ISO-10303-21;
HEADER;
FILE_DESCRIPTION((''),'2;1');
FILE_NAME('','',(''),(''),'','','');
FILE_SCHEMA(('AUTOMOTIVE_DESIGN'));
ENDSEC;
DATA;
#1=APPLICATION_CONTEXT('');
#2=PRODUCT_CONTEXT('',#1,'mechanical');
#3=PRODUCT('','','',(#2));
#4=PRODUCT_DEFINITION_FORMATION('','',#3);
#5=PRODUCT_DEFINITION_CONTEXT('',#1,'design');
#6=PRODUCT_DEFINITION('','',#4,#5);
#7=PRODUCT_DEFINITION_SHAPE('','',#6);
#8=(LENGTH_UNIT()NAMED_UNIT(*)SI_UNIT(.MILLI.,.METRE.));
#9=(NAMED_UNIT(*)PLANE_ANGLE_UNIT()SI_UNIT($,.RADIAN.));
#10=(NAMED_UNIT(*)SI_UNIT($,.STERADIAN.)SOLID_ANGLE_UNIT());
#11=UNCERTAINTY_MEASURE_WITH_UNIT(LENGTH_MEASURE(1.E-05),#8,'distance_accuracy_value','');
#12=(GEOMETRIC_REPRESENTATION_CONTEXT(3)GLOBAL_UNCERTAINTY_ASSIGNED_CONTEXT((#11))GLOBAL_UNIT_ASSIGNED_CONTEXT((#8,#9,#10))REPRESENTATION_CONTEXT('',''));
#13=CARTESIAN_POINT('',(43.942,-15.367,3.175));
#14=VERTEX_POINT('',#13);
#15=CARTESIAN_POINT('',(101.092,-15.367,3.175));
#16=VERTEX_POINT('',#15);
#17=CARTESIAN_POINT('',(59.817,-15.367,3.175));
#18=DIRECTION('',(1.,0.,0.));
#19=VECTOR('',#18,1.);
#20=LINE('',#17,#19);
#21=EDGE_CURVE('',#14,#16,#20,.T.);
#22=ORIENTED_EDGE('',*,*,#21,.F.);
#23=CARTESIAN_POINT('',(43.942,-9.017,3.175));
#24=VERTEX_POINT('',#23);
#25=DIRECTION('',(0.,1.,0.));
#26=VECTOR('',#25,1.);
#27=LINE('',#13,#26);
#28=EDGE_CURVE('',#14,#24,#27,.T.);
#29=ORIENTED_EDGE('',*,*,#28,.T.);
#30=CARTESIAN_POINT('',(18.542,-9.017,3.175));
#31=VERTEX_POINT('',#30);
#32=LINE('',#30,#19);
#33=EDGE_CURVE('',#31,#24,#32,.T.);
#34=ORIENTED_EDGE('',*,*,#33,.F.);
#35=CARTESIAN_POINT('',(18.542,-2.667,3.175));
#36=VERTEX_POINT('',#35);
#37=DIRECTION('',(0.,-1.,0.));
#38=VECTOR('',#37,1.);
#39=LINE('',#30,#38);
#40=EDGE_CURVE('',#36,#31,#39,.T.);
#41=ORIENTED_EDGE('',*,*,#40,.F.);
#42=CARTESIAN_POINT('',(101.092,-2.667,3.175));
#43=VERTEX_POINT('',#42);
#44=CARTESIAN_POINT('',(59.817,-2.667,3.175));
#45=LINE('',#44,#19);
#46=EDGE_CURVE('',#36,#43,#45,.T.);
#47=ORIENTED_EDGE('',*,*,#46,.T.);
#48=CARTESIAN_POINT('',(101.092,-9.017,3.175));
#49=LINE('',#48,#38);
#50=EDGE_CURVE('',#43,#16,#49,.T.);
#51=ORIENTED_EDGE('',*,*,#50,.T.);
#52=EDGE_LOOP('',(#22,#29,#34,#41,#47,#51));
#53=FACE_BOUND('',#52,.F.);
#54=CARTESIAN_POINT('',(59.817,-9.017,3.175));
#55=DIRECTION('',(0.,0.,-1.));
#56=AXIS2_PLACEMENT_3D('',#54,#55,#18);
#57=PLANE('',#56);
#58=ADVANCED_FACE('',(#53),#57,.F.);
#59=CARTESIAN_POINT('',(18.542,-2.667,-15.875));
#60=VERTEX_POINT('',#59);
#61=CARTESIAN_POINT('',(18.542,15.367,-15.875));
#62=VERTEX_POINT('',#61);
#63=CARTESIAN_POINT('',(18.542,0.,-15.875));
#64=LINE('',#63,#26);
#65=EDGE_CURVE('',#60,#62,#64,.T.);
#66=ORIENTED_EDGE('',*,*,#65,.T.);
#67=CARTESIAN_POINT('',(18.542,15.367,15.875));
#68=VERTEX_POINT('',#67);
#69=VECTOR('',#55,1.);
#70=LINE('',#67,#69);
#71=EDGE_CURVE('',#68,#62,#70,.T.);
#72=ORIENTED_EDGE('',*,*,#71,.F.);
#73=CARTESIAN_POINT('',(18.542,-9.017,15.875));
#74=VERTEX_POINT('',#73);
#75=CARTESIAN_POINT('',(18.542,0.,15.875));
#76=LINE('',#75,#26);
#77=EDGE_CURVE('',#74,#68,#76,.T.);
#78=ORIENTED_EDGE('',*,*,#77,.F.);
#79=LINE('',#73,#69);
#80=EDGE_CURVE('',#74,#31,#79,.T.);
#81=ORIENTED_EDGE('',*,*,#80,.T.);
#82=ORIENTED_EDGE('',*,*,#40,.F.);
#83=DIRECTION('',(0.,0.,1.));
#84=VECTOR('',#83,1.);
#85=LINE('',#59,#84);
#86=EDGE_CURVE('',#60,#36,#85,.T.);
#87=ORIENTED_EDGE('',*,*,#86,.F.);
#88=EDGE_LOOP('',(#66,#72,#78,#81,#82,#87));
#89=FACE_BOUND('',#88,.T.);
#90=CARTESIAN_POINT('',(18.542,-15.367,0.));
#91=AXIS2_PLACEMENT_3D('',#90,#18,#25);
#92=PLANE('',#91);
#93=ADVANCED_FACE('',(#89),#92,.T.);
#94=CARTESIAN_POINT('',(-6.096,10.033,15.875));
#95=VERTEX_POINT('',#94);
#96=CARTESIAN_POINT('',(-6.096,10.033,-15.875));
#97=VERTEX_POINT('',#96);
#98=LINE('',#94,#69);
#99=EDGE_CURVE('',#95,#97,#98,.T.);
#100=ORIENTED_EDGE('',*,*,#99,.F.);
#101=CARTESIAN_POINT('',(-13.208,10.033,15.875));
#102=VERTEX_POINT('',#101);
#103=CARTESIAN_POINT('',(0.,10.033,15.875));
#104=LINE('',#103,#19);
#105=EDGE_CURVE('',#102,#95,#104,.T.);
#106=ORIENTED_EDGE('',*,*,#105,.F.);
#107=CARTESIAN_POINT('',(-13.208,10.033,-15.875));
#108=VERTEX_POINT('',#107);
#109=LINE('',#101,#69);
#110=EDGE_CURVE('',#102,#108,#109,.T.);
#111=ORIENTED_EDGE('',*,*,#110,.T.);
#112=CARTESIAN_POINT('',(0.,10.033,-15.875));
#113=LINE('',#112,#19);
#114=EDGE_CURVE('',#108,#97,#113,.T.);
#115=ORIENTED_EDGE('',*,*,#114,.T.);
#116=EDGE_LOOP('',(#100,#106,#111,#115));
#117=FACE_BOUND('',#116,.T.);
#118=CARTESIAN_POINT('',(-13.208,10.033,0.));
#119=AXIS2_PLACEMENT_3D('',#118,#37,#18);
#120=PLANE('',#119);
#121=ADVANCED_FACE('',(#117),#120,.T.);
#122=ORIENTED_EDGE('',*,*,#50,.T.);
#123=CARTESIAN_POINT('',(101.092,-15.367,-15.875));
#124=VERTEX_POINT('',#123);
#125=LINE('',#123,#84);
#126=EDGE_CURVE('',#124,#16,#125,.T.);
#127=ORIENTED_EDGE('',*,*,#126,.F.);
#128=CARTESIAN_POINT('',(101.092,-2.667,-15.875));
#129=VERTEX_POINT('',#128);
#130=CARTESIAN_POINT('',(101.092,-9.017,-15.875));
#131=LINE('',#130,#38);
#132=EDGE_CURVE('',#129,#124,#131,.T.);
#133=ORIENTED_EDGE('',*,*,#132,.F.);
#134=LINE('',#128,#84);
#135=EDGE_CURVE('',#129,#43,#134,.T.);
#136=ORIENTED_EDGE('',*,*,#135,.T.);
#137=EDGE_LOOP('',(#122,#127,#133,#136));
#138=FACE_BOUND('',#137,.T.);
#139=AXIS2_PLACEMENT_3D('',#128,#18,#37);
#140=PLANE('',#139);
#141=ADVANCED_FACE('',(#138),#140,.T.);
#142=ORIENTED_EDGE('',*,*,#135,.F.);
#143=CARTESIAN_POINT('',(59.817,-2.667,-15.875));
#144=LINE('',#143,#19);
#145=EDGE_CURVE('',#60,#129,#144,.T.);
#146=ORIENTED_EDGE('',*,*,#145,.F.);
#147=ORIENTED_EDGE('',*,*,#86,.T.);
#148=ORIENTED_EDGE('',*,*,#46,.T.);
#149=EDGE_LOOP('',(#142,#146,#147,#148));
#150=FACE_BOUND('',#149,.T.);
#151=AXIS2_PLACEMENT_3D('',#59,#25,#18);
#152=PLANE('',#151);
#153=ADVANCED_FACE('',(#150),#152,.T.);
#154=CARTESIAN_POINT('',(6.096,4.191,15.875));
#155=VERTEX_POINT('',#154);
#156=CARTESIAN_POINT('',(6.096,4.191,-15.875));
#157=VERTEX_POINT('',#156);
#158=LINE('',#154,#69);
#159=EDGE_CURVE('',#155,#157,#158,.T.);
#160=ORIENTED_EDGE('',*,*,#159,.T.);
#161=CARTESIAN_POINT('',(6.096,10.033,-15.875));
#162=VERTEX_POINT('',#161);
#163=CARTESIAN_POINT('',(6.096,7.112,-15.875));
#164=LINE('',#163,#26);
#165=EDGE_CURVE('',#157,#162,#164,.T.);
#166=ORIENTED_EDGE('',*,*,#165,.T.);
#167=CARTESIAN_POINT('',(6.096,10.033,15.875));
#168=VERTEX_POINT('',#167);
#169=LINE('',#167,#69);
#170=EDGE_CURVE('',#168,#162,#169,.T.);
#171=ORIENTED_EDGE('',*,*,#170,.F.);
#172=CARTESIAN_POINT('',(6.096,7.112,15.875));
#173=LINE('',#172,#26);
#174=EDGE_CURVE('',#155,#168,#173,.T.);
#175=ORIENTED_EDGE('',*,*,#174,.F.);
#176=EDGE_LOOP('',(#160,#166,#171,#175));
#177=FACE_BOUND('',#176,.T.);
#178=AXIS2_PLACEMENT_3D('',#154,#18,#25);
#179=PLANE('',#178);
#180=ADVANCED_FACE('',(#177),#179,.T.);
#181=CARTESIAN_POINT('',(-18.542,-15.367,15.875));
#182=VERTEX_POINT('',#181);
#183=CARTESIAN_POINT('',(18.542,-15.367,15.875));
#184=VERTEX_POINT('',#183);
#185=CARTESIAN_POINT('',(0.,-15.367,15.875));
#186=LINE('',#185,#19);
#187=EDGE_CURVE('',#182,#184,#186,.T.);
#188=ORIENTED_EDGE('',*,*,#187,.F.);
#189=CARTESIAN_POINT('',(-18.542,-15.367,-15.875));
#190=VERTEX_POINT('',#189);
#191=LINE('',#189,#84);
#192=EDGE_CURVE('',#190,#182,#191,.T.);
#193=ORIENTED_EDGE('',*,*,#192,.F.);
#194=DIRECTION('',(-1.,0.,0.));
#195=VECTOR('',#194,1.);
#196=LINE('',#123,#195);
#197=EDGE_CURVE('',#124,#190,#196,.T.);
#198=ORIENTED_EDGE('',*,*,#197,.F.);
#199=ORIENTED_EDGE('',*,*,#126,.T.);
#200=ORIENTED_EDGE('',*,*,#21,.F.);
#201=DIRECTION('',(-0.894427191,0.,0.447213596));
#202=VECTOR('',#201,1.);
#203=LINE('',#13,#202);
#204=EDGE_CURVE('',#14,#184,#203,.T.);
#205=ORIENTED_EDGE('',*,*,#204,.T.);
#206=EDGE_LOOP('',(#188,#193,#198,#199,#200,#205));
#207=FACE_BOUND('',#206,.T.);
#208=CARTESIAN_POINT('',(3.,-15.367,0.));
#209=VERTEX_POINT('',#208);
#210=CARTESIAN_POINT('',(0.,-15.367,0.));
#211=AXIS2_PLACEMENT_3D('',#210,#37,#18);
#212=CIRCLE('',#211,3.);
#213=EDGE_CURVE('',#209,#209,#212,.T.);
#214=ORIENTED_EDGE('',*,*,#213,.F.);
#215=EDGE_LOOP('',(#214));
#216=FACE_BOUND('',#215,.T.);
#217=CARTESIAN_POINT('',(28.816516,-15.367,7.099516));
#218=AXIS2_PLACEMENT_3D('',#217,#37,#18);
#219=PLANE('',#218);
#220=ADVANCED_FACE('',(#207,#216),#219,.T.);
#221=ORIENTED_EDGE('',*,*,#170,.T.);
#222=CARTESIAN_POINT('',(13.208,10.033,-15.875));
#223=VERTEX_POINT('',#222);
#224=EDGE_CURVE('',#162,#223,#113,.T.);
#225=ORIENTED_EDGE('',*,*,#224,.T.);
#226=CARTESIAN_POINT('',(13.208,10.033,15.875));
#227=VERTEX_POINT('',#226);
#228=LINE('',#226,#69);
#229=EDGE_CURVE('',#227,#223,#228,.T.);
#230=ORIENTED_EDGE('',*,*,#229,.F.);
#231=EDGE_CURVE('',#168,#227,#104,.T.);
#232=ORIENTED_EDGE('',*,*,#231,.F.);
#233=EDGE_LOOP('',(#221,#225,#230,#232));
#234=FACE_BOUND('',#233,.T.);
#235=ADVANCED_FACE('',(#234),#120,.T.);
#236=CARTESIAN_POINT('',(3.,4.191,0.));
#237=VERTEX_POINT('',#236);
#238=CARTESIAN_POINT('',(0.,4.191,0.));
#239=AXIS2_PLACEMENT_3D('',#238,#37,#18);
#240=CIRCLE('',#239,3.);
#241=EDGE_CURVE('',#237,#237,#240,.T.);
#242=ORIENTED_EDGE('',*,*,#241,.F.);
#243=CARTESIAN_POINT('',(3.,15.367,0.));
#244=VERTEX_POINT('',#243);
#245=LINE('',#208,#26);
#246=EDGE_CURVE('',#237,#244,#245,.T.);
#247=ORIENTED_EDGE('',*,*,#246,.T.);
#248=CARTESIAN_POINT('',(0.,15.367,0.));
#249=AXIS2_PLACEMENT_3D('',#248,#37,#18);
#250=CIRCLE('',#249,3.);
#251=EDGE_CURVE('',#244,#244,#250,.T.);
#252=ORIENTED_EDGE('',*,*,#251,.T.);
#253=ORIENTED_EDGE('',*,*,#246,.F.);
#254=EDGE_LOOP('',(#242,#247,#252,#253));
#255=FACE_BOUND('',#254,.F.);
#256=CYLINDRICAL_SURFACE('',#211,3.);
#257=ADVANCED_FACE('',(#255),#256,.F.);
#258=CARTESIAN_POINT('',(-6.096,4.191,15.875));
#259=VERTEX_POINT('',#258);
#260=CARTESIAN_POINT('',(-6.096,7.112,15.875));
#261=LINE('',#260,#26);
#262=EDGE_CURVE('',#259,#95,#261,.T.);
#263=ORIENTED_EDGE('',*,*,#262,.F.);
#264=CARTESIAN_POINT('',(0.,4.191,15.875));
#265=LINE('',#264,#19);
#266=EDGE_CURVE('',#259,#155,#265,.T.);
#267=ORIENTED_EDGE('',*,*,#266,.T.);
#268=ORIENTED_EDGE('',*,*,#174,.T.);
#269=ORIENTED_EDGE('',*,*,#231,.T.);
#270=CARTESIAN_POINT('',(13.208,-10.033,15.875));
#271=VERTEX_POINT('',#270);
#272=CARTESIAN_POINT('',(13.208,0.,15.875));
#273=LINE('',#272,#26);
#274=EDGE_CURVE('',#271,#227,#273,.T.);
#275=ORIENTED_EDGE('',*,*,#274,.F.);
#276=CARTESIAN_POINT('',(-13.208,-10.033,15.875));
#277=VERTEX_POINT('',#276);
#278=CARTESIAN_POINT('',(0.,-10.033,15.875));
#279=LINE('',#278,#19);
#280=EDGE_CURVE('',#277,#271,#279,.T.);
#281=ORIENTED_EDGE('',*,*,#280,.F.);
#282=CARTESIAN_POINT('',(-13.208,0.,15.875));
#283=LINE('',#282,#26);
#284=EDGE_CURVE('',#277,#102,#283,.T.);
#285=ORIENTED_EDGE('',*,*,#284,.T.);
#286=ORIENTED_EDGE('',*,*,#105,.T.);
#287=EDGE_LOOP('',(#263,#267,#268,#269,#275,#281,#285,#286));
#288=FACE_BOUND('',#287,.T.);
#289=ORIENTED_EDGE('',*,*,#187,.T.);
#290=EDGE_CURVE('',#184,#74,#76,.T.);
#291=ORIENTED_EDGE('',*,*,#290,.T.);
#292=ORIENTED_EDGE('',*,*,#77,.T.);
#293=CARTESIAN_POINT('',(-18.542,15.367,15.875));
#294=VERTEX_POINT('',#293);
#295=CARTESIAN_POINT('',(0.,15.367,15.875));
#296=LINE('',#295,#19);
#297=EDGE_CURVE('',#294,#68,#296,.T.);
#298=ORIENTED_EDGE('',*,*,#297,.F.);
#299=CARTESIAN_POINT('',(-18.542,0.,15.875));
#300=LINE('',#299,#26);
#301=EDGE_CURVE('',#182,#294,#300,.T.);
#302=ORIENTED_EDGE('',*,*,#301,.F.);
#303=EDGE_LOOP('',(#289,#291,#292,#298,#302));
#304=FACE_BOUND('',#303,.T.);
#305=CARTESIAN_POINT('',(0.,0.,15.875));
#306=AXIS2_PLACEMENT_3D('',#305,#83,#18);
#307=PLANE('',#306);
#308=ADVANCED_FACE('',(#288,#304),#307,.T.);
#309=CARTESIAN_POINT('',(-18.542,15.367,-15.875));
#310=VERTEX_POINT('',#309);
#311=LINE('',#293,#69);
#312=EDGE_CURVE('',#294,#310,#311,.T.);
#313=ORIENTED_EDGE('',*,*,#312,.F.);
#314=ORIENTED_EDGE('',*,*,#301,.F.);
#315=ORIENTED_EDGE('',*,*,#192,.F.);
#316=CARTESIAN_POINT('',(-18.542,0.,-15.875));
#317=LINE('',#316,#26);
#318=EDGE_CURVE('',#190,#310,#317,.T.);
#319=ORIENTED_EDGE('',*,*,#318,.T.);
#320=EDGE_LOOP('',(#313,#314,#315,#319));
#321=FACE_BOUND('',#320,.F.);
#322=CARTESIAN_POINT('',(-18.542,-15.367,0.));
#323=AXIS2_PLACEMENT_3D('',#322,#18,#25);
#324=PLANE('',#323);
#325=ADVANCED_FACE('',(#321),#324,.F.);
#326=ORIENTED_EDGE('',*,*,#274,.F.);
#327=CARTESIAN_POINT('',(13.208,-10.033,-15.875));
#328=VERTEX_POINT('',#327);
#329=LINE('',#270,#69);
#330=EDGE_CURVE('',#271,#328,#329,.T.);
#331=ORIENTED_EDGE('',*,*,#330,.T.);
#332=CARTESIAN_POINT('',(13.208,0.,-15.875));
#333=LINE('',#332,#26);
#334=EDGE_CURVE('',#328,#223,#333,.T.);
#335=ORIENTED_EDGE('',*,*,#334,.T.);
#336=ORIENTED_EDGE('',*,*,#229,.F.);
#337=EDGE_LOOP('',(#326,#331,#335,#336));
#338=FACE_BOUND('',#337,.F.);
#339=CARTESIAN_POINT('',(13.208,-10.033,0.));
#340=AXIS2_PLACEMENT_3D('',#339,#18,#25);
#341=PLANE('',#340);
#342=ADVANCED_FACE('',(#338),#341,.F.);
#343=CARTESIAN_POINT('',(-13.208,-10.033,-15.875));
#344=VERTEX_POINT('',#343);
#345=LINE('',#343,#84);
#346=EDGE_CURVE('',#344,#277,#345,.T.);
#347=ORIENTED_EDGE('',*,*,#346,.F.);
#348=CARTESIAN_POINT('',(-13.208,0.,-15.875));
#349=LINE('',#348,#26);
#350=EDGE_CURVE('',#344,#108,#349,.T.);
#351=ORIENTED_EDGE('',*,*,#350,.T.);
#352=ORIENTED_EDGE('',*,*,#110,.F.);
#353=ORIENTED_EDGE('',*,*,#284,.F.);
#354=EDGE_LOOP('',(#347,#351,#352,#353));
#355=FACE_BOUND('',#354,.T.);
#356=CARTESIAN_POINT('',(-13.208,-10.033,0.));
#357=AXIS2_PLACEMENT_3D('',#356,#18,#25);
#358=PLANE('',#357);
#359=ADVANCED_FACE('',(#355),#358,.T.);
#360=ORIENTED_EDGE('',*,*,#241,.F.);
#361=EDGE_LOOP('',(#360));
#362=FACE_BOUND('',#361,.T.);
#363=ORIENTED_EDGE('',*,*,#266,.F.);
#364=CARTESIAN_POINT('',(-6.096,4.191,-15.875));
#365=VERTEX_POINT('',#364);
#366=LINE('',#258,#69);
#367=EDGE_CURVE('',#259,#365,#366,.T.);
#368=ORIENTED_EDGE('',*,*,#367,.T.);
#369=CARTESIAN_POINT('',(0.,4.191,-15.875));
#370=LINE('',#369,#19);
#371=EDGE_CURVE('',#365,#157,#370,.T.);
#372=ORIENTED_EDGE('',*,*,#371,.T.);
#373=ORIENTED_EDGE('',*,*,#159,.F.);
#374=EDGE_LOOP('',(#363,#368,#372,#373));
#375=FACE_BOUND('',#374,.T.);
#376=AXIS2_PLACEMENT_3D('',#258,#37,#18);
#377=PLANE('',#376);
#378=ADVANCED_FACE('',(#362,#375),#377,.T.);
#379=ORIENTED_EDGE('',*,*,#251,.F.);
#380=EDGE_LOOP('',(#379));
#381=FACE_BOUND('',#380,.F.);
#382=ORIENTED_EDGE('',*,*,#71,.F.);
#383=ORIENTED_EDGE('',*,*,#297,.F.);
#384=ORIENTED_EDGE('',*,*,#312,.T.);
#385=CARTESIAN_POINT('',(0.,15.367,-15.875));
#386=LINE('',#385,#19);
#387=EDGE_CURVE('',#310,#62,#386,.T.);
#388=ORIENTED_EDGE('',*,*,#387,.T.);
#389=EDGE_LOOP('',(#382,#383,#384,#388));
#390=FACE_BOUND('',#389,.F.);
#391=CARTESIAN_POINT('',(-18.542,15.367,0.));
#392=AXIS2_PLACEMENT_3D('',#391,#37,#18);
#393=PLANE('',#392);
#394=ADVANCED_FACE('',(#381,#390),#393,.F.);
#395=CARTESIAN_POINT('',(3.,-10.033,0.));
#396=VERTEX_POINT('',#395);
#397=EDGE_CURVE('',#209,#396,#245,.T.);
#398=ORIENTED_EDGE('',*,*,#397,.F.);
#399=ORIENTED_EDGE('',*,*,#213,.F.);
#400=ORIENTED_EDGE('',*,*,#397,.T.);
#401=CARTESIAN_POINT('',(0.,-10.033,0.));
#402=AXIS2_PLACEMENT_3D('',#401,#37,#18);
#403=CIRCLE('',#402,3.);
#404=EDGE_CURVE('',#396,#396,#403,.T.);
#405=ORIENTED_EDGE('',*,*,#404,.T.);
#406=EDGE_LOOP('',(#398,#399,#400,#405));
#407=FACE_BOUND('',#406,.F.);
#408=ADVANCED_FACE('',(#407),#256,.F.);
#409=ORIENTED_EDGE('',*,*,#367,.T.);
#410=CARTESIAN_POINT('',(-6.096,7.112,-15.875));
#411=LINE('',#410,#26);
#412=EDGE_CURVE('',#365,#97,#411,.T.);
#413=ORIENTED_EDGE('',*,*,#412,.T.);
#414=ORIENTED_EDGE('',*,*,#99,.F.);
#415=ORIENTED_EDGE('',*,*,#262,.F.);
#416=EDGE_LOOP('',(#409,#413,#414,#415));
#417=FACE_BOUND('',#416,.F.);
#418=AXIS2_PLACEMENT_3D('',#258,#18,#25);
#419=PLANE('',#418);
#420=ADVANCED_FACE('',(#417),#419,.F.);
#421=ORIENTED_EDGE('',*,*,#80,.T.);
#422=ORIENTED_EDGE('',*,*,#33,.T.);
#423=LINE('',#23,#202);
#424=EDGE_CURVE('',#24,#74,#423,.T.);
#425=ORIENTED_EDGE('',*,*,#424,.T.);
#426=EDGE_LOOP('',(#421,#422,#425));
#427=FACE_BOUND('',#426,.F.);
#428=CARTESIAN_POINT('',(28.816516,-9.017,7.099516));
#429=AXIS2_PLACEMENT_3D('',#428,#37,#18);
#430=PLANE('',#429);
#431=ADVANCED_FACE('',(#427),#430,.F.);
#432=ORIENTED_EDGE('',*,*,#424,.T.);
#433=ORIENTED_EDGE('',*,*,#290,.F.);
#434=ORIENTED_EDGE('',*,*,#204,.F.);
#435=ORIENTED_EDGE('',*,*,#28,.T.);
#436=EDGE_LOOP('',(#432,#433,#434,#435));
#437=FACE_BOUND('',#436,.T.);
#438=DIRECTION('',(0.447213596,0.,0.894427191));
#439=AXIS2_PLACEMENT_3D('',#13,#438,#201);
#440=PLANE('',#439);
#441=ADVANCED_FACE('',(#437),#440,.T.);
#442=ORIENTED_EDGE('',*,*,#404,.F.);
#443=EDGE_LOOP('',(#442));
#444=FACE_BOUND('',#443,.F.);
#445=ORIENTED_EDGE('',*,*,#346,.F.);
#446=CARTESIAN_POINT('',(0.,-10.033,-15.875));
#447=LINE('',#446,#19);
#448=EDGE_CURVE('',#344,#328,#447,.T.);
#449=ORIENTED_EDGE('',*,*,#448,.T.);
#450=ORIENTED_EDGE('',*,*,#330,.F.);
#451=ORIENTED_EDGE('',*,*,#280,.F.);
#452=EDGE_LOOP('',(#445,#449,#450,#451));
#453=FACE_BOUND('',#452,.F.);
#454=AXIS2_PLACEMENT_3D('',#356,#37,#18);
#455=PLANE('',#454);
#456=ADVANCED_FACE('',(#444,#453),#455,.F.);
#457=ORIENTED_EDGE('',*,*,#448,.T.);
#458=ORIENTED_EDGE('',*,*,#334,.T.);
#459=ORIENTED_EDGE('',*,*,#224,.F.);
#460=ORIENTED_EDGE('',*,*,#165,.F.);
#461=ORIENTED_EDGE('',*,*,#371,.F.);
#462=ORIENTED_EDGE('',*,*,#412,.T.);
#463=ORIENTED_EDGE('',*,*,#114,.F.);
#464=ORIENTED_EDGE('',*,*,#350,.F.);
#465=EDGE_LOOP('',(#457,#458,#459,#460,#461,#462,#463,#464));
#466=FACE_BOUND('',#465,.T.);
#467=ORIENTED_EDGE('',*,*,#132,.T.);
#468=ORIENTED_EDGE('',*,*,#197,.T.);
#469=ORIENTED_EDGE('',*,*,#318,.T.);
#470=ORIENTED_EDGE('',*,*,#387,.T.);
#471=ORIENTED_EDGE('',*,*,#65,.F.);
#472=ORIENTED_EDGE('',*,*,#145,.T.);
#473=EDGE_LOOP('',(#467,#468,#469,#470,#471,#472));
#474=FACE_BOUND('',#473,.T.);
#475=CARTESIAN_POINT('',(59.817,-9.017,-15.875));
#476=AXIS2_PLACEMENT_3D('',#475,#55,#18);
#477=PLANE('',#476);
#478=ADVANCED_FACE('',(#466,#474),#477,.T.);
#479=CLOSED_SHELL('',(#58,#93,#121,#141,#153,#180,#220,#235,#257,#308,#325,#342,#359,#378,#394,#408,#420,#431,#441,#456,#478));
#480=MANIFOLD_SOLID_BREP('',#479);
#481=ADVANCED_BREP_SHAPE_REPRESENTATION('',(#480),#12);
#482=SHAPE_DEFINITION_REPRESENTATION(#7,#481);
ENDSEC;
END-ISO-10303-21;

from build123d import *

# Parameters (mm, degrees)
F0_W      = 37.084
F0_H      = 30.734
F0_W_2    = 26.416
F0_H_2    = 20.066
F1_DEPTH  = 15.875
F2_W      = 12.192
F2_H      = 5.842
F3_DEPTH  = 31.75
F4_W      = 82.55
F4_H      = 12.7
F5_DEPTH  = 19.05
F7_DEPTH  = 6.35
F9_R      = 3
F10_DEPTH = 30.735


with BuildPart() as f1:
    # F0 (on Top) → F1 (new body, symmetric)
    with BuildSketch(Plane.XY):
        Rectangle(F0_W, F0_H)
        Rectangle(F0_W_2, F0_H_2, mode=Mode.SUBTRACT)
    extrude(amount=F1_DEPTH, both=True)

    # F2 (on face) → F3 (join)
    with BuildSketch(Plane.XY.offset(15.875)):
        with Locations((0, 7.112)):
            Rectangle(F2_W, F2_H)
    extrude(amount=-F3_DEPTH)

    # F4 (on face) → F5 (join)
    with BuildSketch(Plane(origin=(0, 0, -15.875), x_dir=(1, 0, 0), z_dir=(0, 0, -1))):
        with Locations((59.817, 9.017)):
            Rectangle(F4_W, F4_H)
    extrude(amount=-F5_DEPTH)

    # F6 (on face) → F7 (join)
    with BuildSketch(Plane.XZ.offset(15.367)):
        Polygon((43.942, 3.175), (18.542, 15.875), (18.542, 3.175), align=None)
    extrude(amount=-F7_DEPTH)

    # F9 (on face) → F10 (cut, through all)
    with BuildSketch(Plane.XZ.offset(15.367)):
        Circle(F9_R)
    extrude(amount=-F10_DEPTH, mode=Mode.SUBTRACT)


solid = f1.part
